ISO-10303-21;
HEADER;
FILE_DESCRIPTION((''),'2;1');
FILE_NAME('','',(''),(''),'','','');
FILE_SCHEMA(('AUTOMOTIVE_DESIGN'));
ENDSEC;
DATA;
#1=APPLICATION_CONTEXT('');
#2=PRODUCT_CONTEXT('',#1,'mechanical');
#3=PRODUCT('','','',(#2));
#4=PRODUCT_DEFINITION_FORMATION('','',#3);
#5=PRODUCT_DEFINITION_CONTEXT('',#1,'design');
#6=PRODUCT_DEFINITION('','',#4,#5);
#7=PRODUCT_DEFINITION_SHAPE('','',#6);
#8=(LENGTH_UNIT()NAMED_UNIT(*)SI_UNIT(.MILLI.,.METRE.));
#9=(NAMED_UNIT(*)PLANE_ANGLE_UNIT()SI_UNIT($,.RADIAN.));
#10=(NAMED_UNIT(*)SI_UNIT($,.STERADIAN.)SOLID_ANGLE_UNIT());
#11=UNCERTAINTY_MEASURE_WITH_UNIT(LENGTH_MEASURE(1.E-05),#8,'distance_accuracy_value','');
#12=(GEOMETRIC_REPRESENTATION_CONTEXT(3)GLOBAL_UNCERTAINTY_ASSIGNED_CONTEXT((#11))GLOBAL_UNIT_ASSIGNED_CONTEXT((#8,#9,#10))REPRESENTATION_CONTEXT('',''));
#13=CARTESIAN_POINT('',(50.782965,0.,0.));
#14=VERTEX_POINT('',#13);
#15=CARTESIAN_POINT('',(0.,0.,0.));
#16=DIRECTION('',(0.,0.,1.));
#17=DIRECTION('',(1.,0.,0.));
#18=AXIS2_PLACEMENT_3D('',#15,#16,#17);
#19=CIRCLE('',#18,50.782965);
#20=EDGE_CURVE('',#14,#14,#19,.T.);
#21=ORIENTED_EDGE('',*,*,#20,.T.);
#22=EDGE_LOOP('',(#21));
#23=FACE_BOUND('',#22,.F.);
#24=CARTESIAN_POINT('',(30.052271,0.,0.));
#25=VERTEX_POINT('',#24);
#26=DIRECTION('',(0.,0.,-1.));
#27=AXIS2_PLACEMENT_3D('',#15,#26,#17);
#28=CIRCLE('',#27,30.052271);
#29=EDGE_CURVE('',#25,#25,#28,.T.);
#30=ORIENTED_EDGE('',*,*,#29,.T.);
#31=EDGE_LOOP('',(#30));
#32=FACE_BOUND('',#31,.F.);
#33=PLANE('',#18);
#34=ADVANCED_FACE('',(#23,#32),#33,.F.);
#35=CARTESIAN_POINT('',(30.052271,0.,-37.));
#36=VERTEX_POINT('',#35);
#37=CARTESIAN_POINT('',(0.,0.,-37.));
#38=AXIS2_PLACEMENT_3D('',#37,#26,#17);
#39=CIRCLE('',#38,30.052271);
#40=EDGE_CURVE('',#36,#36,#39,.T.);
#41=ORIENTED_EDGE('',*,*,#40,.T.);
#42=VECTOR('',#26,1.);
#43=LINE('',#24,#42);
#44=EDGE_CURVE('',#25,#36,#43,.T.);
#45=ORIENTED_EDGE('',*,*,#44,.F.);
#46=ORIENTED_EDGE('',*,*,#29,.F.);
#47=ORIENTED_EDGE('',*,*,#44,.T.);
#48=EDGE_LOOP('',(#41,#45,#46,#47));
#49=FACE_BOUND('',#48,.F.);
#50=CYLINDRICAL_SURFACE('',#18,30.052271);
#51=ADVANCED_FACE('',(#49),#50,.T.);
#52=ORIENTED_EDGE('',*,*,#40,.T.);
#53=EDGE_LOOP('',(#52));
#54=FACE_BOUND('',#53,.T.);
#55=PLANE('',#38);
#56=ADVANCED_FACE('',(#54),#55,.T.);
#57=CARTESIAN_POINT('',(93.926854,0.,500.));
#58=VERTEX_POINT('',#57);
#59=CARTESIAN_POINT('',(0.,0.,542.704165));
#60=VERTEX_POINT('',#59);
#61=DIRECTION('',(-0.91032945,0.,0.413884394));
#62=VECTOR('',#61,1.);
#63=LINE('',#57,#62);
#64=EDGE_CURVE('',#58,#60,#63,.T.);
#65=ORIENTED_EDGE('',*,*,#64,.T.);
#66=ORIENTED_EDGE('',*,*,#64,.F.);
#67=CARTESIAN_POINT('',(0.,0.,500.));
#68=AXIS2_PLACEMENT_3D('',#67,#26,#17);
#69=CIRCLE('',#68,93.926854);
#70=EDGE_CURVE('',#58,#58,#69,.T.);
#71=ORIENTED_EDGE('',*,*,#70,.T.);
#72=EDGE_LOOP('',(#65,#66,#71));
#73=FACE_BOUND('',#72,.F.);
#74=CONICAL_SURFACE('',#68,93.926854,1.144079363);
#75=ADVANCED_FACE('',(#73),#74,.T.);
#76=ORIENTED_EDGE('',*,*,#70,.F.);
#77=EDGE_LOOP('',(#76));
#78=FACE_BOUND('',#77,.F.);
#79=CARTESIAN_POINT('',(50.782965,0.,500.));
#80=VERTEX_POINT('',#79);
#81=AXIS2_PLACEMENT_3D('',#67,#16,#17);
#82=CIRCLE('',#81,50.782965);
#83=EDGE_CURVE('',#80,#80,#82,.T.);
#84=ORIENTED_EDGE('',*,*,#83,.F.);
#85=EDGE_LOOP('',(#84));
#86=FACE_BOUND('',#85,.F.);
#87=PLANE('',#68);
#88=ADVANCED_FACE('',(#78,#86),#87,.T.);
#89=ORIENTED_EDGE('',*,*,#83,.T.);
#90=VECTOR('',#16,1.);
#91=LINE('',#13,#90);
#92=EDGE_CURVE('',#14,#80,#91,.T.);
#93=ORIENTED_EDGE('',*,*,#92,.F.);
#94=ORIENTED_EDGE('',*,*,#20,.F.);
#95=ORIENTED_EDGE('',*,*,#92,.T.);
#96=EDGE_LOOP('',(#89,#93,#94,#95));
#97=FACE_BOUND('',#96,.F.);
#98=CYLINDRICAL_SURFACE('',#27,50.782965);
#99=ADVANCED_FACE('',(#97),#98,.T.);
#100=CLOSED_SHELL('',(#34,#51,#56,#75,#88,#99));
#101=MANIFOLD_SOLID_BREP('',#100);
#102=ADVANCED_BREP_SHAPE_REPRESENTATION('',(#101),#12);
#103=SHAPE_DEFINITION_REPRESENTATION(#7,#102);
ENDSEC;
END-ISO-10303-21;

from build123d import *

# Parameters (mm, degrees)
F0_R     = 50.782965
F1_DEPTH = 500
F4_R     = 30.052271
F5_DEPTH = 37


with BuildPart() as f1:
    # F0 (on Top) → F1 (new body)
    with BuildSketch(Plane.XY):
        Circle(F0_R)
    extrude(amount=F1_DEPTH)

    # F2 (on Front) → F3 (revolve)
    with BuildSketch(Plane.XZ):
        Polygon((93.926854, 500), (0, 542.704165), (0, 500), align=None)
    revolve(axis=Axis((0, 0, 521.352082), (0, 0, -1)))

    # F4 (on face) → F5 (join)
    with BuildSketch(Plane(origin=(0, 0, 0), x_dir=(1, 0, 0), z_dir=(0, 0, -1))):
        Circle(F4_R)
    extrude(amount=F5_DEPTH)


solid = f1.part
